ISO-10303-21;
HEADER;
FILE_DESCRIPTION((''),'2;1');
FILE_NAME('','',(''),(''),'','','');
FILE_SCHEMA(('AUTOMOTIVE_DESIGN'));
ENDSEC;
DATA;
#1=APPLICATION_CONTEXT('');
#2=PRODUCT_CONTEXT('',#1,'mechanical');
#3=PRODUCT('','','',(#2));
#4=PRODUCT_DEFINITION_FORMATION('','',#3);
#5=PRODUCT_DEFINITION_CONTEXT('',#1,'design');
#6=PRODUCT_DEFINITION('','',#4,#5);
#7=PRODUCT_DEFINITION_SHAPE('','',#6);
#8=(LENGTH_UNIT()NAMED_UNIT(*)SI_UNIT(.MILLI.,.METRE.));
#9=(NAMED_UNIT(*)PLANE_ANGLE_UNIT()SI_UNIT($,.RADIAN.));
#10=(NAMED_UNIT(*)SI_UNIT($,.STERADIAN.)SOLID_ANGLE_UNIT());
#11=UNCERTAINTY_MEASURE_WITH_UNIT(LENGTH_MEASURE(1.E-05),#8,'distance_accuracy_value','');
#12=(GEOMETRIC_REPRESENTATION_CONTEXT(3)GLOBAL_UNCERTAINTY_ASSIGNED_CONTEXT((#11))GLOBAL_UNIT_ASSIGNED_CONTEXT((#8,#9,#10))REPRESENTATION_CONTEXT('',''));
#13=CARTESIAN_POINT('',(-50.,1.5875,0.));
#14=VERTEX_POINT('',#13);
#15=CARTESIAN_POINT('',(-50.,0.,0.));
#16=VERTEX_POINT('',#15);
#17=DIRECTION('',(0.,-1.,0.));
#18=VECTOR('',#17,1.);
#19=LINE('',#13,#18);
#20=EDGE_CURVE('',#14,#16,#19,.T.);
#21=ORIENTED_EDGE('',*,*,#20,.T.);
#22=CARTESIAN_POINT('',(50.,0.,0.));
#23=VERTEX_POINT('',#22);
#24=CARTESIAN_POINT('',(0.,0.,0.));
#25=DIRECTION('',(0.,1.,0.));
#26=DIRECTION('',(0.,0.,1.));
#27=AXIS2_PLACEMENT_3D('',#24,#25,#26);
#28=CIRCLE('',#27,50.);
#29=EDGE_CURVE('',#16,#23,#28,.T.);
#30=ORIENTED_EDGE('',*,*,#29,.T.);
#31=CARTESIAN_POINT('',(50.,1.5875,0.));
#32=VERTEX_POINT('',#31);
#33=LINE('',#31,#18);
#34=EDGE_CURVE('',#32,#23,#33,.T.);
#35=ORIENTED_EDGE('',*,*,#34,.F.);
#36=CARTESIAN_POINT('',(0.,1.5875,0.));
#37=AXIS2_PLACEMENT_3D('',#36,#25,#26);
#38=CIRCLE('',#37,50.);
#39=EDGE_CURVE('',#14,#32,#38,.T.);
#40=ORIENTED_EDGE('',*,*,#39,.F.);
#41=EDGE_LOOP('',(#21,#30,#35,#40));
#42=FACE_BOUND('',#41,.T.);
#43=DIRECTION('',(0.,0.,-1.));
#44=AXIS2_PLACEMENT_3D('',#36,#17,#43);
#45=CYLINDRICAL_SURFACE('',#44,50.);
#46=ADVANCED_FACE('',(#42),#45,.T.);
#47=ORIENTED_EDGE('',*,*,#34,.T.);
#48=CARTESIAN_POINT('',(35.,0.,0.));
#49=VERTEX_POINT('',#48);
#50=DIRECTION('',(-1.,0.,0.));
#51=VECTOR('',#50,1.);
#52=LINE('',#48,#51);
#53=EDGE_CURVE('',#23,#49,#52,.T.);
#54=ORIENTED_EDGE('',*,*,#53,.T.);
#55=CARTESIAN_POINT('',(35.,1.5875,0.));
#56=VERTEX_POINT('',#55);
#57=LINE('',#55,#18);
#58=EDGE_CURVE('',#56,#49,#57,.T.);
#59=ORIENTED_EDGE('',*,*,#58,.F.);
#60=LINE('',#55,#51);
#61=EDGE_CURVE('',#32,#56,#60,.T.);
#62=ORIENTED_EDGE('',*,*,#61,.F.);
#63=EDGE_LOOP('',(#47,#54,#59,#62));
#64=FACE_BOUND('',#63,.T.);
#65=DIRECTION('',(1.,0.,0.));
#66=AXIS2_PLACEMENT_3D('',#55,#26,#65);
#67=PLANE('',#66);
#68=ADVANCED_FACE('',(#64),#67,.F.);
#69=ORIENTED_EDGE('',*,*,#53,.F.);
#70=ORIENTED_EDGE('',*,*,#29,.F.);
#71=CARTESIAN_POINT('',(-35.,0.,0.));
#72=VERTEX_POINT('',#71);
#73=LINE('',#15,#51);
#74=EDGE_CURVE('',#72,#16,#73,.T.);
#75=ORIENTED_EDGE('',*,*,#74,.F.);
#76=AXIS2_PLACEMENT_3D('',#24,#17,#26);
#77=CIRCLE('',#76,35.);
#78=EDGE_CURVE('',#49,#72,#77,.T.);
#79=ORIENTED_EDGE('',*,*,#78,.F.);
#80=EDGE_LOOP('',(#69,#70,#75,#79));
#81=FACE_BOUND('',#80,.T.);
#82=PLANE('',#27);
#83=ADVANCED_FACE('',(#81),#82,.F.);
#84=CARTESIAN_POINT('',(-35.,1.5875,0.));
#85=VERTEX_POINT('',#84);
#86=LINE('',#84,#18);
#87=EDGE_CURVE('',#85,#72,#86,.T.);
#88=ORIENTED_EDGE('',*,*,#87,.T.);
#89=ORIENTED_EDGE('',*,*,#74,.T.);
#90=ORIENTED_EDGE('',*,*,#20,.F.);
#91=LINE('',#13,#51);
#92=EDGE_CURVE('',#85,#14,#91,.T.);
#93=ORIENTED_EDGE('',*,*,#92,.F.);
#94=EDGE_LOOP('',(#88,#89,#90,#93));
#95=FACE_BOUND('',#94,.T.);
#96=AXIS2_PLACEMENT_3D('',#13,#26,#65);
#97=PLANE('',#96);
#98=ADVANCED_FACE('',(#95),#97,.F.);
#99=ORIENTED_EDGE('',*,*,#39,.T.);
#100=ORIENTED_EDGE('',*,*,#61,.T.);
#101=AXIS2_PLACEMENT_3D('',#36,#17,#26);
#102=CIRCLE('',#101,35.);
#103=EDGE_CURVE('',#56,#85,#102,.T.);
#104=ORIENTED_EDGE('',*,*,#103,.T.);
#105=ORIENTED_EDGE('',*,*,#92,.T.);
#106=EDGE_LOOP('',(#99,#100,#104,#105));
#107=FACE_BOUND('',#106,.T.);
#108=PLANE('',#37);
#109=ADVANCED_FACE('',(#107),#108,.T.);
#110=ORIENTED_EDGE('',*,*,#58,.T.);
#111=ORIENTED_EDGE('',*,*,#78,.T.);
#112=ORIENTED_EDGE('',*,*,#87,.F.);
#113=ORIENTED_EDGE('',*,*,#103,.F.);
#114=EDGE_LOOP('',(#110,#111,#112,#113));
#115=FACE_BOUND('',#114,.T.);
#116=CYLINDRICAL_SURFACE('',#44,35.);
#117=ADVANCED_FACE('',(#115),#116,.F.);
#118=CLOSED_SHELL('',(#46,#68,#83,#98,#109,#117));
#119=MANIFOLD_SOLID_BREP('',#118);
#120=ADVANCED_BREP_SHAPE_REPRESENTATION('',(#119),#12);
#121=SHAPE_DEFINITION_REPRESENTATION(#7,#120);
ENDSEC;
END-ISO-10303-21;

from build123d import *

# Parameters (mm, degrees)
BOSS_EXTRUDE1_DEPTH = 1.5875


with BuildPart() as part:
    # Sketch1 → Boss-Extrude1 (new body)
    with BuildSketch(Plane(origin=(0, 0, 0), x_dir=(1, 0, 0), z_dir=(0, 1, 0))):
        with BuildLine():
            Line((-50, 0), (-35, 0))
            ThreePointArc((-35, 0), (0, -35), (35, 0))
            Line((35, 0), (50, 0))
            ThreePointArc((50, 0), (0, -50), (-50, 0))
        make_face()
    extrude(amount=BOSS_EXTRUDE1_DEPTH)


solid = part.part
